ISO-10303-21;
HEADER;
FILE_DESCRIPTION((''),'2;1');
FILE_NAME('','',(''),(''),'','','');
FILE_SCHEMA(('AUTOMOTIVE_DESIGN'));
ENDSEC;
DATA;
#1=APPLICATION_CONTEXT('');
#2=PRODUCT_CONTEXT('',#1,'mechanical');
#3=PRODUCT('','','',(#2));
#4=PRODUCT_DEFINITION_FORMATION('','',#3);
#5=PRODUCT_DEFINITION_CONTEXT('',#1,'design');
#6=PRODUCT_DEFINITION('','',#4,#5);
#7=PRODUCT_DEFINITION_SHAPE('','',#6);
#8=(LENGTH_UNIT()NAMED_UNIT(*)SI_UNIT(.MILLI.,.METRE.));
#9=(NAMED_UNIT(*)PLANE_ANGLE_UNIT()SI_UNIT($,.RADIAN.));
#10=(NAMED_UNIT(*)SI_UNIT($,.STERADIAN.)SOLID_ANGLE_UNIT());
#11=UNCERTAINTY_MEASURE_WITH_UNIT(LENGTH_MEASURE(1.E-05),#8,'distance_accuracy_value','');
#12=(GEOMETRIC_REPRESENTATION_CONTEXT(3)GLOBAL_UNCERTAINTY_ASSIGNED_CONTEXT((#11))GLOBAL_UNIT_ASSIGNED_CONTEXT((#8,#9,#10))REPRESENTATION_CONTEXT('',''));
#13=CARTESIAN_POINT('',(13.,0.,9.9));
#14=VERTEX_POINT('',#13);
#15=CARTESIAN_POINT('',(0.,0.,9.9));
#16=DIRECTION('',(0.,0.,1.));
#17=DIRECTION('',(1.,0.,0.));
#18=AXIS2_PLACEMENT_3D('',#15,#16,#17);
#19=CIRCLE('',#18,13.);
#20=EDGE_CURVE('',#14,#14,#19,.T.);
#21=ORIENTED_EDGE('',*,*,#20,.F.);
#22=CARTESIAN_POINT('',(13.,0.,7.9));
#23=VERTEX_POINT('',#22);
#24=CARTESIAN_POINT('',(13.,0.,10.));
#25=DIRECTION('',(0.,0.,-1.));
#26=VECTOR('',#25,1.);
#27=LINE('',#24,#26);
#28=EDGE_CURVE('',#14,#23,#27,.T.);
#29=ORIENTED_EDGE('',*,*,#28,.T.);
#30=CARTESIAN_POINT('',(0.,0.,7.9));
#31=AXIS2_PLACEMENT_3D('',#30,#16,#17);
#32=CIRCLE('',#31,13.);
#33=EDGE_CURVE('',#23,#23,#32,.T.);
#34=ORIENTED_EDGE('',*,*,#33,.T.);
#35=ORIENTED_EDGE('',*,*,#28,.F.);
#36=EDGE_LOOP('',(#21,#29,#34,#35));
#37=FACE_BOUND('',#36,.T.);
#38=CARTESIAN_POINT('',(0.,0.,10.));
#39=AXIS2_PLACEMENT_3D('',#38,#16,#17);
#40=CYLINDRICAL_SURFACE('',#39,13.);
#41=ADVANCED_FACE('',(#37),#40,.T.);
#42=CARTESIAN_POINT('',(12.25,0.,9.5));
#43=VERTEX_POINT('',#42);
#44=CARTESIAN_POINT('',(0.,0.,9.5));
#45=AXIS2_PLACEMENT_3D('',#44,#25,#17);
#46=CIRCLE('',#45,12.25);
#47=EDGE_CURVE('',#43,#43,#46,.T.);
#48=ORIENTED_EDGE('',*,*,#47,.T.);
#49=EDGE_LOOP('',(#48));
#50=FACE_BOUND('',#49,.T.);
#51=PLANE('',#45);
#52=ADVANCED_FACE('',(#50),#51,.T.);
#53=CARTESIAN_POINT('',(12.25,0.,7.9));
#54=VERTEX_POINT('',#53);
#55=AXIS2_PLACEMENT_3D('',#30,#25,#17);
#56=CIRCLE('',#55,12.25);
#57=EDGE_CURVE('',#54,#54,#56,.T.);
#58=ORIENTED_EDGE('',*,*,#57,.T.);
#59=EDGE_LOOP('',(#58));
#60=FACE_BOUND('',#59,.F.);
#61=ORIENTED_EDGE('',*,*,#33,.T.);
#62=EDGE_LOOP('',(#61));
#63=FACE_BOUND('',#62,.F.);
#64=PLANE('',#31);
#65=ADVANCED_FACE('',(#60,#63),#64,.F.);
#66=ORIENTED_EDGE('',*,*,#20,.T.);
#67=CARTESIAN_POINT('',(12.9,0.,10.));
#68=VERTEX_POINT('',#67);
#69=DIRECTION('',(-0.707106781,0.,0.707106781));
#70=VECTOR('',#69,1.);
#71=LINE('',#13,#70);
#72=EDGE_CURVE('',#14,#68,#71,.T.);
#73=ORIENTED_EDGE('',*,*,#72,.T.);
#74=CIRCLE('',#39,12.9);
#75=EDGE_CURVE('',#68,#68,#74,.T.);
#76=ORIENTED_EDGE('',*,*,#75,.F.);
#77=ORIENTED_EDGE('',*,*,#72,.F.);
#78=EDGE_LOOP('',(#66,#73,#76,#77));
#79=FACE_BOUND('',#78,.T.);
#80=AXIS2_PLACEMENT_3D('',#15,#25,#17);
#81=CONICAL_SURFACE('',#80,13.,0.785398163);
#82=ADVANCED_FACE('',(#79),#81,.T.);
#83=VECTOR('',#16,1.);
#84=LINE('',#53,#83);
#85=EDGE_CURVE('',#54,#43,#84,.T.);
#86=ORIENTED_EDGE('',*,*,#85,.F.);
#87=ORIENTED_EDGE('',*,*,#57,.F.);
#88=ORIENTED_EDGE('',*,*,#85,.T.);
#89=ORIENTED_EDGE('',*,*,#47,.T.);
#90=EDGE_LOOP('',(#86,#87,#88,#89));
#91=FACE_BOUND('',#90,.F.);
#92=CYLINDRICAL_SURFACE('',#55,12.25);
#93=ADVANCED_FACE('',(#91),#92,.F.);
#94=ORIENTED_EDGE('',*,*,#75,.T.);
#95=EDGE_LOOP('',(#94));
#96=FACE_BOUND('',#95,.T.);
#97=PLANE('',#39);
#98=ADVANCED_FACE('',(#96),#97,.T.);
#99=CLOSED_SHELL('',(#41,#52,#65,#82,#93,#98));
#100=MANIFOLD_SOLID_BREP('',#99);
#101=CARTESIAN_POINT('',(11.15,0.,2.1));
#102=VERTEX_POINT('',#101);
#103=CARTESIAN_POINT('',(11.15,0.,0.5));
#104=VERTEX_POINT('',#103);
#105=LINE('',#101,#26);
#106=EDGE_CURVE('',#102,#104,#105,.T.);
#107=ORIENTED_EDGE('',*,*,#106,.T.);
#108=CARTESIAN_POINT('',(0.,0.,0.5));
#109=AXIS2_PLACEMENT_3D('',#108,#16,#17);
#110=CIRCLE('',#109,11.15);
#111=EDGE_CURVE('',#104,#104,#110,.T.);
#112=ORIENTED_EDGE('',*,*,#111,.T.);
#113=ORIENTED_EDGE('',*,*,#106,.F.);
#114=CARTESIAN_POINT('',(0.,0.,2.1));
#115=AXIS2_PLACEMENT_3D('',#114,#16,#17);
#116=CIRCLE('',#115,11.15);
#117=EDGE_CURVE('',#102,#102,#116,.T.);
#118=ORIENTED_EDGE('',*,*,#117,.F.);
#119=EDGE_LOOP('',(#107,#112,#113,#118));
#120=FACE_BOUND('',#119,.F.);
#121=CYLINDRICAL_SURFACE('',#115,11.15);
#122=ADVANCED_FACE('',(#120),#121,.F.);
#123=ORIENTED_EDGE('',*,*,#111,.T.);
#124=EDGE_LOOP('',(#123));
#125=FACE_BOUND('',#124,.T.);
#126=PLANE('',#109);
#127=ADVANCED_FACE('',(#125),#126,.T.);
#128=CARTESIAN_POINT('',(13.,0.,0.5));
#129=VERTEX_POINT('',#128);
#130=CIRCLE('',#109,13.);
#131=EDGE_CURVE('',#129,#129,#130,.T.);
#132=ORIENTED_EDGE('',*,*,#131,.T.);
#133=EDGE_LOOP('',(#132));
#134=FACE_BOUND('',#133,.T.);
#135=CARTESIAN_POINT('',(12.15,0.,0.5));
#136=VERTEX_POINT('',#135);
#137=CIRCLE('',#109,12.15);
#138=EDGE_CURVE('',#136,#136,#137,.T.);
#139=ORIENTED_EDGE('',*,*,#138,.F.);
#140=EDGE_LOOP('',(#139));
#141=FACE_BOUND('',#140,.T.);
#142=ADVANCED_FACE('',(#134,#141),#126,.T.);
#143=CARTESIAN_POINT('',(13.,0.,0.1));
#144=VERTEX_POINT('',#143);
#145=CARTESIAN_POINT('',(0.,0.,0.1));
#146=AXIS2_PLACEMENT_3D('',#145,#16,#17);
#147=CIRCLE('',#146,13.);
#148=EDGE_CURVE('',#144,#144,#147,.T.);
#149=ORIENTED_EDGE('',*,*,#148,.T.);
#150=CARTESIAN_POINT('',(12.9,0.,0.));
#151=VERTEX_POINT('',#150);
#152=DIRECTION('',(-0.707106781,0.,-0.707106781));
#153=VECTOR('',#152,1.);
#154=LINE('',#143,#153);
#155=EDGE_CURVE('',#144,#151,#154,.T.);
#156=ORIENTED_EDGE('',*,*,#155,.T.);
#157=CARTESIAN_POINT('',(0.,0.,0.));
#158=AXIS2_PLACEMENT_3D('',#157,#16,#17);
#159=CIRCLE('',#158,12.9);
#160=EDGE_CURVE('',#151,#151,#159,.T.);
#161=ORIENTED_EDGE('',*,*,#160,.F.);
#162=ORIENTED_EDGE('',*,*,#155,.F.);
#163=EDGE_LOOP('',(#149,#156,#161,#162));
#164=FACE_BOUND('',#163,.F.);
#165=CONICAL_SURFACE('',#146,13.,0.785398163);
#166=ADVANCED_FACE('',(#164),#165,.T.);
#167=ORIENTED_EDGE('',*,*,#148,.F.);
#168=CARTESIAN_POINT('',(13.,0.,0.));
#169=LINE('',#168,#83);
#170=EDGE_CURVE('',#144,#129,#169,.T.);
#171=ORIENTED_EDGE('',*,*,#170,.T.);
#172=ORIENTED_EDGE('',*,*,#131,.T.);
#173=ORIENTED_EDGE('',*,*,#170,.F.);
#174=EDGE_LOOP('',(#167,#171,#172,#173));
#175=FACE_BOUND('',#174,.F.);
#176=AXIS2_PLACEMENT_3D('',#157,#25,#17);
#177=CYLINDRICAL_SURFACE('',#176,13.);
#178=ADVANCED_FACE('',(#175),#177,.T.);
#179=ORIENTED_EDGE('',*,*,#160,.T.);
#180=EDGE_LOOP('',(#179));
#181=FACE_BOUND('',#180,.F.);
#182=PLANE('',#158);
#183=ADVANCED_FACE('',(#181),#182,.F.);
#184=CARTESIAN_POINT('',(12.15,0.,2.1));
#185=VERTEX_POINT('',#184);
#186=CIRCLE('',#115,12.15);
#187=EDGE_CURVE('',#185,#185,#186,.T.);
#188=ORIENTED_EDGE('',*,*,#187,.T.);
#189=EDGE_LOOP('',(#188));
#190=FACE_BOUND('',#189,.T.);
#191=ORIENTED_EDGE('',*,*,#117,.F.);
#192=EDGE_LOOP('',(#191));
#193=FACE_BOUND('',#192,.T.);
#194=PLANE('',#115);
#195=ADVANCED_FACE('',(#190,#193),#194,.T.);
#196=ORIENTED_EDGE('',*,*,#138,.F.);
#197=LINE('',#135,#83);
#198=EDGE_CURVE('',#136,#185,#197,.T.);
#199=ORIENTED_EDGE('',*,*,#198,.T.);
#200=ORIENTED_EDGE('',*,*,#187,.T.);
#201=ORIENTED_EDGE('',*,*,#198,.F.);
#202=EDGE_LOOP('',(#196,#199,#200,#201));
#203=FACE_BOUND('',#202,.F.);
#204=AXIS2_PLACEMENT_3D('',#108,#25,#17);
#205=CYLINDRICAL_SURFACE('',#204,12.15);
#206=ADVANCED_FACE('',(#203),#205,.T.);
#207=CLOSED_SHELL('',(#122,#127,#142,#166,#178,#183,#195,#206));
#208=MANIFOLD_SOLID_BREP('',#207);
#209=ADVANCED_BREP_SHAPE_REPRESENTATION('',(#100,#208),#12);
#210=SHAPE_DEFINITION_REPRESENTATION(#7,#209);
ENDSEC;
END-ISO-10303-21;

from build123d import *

# Parameters (mm, degrees)
F0_R       = 13
F1_DEPTH   = 0.5
F2_R       = 12.15
F3_DEPTH   = 1.6
F4_R       = 11.15
F5_DEPTH   = 1.6
F7_R       = 13
F8_DEPTH   = 2.1
F9_R       = 12.25
F10_DEPTH  = 1.6
F11_SIZE   = 0.1
F11_2_SIZE = 0.1


with BuildPart() as f1:
    # F0 (on Top) → F1 (new body)
    with BuildSketch(Plane.XY):
        Circle(F0_R)
    extrude(amount=F1_DEPTH)

    # F2 (on face) → F3 (join)
    with BuildSketch(Plane.XY.offset(0.5)):
        Circle(F2_R)
    extrude(amount=F3_DEPTH)

    # F4 (on face) → F5 (cut)
    with BuildSketch(Plane.XY.offset(2.1)):
        Circle(F4_R)
    extrude(amount=-F5_DEPTH, mode=Mode.SUBTRACT)

    # F11#2
    f11_2_edges = [f1.edges().sort_by_distance(p)[0] for p in [
        (-13, 0, 0),
    ]]
    chamfer(f11_2_edges, length=F11_2_SIZE)


with BuildPart() as f8:
    # F7 (on offset) → F8 (new body)
    with BuildSketch(Plane.XY.offset(10)):
        Circle(F7_R)
    extrude(amount=-F8_DEPTH)

    # F9 (on face) → F10 (cut)
    with BuildSketch(Plane(origin=(0, 0, 7.9), x_dir=(1, 0, 0), z_dir=(0, 0, -1))):
        Circle(F9_R)
    extrude(amount=-F10_DEPTH, mode=Mode.SUBTRACT)

    # F11
    f11_edges = [f8.edges().sort_by_distance(p)[0] for p in [
        (-13, 0, 10),
    ]]
    chamfer(f11_edges, length=F11_SIZE)


solid = Compound([f1.part, f8.part])
